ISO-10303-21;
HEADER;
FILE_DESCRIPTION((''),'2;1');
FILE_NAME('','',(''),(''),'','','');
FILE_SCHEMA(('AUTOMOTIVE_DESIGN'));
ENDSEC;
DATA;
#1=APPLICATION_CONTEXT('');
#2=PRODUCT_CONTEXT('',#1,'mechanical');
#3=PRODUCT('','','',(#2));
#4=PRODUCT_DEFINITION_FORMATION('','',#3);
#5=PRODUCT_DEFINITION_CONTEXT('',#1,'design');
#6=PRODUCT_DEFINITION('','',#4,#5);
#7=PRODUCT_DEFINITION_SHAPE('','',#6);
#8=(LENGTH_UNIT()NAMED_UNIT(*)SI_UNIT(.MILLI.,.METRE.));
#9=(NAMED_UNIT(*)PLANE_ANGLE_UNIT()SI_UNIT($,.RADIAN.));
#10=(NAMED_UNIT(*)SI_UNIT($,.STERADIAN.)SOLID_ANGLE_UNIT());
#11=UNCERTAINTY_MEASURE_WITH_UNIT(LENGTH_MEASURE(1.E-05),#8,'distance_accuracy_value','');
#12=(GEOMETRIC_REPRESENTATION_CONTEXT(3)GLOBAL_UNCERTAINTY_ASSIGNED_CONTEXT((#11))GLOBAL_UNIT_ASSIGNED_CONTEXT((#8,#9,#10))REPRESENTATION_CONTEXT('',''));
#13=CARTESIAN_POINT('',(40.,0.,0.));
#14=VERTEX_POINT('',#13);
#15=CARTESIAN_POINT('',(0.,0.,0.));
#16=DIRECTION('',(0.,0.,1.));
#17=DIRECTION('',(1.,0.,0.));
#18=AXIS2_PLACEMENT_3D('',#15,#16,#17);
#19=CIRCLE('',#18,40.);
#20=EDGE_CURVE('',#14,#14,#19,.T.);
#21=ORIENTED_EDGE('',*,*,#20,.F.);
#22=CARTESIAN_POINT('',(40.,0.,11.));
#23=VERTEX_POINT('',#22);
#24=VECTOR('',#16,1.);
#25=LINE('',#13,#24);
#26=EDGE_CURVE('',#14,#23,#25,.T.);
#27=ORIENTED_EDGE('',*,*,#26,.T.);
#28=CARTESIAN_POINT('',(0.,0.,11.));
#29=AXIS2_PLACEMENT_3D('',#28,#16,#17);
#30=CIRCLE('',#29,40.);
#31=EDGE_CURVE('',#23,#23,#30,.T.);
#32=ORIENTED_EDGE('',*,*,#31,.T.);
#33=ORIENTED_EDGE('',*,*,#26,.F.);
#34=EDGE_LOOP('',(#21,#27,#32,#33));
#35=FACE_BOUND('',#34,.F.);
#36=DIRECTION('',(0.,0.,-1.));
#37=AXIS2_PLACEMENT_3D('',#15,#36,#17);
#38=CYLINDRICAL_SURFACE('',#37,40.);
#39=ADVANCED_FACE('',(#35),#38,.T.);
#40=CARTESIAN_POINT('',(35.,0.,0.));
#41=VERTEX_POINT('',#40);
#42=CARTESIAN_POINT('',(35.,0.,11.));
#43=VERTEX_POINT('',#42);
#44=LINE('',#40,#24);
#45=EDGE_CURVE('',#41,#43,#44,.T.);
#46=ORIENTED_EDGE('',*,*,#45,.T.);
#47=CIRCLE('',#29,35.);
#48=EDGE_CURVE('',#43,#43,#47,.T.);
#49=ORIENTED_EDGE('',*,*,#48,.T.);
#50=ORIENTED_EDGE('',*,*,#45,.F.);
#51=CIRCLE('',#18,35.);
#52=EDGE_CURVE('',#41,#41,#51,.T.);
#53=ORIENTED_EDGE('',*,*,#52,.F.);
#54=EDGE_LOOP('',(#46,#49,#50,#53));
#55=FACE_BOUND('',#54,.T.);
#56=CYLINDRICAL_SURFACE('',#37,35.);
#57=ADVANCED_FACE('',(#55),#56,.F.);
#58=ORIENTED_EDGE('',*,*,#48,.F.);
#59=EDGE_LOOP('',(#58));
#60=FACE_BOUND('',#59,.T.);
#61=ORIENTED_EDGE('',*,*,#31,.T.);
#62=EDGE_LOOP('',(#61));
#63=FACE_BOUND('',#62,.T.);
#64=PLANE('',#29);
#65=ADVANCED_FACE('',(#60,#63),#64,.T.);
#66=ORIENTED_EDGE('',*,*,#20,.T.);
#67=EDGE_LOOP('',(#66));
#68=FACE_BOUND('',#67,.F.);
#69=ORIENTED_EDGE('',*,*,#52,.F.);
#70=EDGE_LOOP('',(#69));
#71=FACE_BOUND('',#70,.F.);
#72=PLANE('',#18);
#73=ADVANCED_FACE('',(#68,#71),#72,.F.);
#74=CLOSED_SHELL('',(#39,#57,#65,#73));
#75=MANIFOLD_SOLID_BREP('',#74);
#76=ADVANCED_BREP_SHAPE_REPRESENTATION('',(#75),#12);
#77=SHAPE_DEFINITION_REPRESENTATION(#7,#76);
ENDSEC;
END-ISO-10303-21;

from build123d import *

# Parameters (mm, degrees)
SKETCH_R   = 40
SKETCH_R_2 = 35
PAD_DEPTH  = 11


with BuildPart() as part:
    # Sketch → Pad (new body)
    with BuildSketch(Plane.XY):
        Circle(SKETCH_R)
        Circle(SKETCH_R_2, mode=Mode.SUBTRACT)
    extrude(amount=PAD_DEPTH)


solid = part.part
